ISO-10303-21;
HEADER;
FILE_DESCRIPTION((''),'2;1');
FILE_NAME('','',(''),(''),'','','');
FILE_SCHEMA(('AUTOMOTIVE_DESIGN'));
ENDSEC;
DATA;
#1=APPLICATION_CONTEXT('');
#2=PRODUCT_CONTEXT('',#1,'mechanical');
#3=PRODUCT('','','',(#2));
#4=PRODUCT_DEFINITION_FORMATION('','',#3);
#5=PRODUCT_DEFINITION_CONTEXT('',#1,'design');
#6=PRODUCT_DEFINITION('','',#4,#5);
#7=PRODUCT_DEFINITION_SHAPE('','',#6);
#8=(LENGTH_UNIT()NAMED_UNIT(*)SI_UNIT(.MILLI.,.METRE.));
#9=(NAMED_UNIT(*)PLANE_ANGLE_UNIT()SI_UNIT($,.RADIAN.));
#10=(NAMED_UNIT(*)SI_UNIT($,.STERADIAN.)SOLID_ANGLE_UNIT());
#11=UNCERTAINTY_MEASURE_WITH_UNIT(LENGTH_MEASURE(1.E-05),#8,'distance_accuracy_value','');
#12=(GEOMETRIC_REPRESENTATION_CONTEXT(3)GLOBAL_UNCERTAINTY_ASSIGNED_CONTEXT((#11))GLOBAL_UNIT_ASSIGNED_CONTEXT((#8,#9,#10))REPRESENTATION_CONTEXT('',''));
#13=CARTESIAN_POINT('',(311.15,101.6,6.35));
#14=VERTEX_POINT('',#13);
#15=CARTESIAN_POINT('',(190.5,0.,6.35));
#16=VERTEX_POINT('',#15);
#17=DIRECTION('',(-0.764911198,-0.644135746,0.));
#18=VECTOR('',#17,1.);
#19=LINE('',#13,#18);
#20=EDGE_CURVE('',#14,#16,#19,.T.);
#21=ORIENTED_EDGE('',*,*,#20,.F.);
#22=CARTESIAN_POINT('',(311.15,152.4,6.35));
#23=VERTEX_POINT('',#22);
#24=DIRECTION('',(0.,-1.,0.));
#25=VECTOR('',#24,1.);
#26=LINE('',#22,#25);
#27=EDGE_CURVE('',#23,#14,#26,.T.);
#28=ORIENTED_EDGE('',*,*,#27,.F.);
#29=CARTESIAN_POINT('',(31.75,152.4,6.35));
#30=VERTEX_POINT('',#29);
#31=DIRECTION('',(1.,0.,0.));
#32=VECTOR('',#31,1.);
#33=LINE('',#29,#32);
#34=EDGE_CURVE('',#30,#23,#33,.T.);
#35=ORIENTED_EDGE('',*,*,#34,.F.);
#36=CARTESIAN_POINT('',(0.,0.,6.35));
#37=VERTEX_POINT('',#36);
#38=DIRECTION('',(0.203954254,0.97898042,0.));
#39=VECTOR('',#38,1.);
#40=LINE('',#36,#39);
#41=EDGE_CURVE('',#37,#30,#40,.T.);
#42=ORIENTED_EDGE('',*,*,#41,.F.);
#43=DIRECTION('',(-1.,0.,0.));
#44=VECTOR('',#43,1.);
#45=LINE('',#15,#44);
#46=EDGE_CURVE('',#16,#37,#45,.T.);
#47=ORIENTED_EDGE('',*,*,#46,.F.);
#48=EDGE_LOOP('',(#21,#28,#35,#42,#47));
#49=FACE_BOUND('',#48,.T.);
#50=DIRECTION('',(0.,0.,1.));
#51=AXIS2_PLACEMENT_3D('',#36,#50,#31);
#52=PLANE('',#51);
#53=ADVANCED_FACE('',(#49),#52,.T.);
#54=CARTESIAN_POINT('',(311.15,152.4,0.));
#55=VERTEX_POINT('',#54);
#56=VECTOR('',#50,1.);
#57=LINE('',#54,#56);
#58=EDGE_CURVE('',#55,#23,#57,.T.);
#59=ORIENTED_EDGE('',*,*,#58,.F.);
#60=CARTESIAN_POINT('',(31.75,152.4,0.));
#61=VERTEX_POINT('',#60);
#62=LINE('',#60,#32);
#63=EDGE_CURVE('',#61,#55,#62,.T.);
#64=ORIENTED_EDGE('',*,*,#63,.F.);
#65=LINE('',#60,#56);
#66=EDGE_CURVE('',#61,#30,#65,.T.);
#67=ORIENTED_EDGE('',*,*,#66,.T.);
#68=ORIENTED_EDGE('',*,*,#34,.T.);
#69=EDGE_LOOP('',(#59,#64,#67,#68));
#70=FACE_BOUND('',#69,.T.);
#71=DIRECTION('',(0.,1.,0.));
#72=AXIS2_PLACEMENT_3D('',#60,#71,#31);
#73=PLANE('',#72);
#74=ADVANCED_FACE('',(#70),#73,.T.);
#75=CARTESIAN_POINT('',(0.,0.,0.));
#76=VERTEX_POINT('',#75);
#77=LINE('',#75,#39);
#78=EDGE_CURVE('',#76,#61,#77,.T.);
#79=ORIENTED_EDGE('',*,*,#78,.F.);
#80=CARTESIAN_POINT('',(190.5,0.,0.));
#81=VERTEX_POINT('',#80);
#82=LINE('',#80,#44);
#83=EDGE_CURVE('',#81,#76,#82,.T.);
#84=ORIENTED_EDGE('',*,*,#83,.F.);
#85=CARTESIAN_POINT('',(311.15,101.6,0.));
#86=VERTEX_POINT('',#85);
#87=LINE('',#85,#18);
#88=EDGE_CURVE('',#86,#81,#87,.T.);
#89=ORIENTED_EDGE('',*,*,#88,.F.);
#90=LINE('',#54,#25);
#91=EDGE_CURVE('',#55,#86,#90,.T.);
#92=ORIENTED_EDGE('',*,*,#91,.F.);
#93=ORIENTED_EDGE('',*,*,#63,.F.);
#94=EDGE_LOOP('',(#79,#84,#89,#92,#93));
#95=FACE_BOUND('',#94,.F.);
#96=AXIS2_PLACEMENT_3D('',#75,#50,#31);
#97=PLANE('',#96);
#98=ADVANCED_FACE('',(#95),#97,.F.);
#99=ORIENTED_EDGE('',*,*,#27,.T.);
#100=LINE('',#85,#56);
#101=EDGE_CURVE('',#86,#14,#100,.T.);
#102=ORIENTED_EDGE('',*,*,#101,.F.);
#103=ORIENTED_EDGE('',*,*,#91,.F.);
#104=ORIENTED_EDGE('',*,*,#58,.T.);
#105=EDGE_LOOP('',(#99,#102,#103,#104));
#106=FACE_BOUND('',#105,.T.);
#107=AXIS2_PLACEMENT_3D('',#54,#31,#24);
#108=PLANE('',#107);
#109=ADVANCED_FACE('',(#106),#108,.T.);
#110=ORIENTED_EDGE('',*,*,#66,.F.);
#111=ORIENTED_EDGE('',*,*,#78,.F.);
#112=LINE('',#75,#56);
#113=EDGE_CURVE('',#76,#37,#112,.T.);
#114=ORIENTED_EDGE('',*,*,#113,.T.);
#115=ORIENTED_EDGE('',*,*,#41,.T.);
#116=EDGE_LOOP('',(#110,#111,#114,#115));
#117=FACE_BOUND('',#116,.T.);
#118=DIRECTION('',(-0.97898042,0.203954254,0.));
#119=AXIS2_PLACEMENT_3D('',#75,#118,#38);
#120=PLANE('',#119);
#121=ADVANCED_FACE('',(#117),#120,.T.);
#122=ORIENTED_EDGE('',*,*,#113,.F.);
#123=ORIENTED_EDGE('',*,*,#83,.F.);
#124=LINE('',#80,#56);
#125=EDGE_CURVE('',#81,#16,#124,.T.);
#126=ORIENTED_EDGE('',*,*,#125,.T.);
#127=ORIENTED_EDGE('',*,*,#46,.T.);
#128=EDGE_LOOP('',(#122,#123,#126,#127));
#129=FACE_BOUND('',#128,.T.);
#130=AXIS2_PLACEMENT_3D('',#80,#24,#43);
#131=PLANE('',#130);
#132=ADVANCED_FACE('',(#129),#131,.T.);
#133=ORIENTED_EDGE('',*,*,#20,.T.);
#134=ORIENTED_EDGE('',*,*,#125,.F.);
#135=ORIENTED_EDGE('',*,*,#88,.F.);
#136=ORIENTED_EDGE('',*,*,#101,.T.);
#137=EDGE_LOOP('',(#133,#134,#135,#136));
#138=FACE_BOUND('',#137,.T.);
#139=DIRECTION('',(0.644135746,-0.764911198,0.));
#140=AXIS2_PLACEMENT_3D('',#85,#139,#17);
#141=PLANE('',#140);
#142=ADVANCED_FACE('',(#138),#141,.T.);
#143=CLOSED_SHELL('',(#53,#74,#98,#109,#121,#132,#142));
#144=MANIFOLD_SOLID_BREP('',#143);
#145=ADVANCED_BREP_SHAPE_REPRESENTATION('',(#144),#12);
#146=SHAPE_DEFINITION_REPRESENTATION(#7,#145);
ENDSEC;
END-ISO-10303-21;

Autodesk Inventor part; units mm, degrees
ref_plane "YZ Plane" through (0, 0, 0) normal (1, 0, 0) x (0, 1, 0)
ref_plane "XZ Plane" through (0, 0, 0) normal (0, 1, 0) x (-1, 0, 0)
ref_plane "XY Plane" through (0, 0, 0) normal (0, 0, 1) x (1, 0, 0)
sketch "Sketch1" plane through (0, 0, 0) normal (0, 0, 1) x (1, 0, 0)
  line L0 (0, 0) -> (31.75, 152.4)
  line L1 (31.75, 152.4) -> (311.15, 152.4)
  line L2 (311.15, 152.4) -> (311.15, 101.6)
  line L3 (311.15, 101.6) -> (190.5, 0)
  line L4 (190.5, 0) -> (0, 0)
  dimension "d0" = 152.4
  dimension "d1" = 279.4
  dimension "d2" = 50.8
  dimension "d3" = 190.5
  dimension "d4" = 31.75
extrude "Extrusion1" add sketch "Sketch1" along normal blind 6.35
properties part number "GE-12053-02"
